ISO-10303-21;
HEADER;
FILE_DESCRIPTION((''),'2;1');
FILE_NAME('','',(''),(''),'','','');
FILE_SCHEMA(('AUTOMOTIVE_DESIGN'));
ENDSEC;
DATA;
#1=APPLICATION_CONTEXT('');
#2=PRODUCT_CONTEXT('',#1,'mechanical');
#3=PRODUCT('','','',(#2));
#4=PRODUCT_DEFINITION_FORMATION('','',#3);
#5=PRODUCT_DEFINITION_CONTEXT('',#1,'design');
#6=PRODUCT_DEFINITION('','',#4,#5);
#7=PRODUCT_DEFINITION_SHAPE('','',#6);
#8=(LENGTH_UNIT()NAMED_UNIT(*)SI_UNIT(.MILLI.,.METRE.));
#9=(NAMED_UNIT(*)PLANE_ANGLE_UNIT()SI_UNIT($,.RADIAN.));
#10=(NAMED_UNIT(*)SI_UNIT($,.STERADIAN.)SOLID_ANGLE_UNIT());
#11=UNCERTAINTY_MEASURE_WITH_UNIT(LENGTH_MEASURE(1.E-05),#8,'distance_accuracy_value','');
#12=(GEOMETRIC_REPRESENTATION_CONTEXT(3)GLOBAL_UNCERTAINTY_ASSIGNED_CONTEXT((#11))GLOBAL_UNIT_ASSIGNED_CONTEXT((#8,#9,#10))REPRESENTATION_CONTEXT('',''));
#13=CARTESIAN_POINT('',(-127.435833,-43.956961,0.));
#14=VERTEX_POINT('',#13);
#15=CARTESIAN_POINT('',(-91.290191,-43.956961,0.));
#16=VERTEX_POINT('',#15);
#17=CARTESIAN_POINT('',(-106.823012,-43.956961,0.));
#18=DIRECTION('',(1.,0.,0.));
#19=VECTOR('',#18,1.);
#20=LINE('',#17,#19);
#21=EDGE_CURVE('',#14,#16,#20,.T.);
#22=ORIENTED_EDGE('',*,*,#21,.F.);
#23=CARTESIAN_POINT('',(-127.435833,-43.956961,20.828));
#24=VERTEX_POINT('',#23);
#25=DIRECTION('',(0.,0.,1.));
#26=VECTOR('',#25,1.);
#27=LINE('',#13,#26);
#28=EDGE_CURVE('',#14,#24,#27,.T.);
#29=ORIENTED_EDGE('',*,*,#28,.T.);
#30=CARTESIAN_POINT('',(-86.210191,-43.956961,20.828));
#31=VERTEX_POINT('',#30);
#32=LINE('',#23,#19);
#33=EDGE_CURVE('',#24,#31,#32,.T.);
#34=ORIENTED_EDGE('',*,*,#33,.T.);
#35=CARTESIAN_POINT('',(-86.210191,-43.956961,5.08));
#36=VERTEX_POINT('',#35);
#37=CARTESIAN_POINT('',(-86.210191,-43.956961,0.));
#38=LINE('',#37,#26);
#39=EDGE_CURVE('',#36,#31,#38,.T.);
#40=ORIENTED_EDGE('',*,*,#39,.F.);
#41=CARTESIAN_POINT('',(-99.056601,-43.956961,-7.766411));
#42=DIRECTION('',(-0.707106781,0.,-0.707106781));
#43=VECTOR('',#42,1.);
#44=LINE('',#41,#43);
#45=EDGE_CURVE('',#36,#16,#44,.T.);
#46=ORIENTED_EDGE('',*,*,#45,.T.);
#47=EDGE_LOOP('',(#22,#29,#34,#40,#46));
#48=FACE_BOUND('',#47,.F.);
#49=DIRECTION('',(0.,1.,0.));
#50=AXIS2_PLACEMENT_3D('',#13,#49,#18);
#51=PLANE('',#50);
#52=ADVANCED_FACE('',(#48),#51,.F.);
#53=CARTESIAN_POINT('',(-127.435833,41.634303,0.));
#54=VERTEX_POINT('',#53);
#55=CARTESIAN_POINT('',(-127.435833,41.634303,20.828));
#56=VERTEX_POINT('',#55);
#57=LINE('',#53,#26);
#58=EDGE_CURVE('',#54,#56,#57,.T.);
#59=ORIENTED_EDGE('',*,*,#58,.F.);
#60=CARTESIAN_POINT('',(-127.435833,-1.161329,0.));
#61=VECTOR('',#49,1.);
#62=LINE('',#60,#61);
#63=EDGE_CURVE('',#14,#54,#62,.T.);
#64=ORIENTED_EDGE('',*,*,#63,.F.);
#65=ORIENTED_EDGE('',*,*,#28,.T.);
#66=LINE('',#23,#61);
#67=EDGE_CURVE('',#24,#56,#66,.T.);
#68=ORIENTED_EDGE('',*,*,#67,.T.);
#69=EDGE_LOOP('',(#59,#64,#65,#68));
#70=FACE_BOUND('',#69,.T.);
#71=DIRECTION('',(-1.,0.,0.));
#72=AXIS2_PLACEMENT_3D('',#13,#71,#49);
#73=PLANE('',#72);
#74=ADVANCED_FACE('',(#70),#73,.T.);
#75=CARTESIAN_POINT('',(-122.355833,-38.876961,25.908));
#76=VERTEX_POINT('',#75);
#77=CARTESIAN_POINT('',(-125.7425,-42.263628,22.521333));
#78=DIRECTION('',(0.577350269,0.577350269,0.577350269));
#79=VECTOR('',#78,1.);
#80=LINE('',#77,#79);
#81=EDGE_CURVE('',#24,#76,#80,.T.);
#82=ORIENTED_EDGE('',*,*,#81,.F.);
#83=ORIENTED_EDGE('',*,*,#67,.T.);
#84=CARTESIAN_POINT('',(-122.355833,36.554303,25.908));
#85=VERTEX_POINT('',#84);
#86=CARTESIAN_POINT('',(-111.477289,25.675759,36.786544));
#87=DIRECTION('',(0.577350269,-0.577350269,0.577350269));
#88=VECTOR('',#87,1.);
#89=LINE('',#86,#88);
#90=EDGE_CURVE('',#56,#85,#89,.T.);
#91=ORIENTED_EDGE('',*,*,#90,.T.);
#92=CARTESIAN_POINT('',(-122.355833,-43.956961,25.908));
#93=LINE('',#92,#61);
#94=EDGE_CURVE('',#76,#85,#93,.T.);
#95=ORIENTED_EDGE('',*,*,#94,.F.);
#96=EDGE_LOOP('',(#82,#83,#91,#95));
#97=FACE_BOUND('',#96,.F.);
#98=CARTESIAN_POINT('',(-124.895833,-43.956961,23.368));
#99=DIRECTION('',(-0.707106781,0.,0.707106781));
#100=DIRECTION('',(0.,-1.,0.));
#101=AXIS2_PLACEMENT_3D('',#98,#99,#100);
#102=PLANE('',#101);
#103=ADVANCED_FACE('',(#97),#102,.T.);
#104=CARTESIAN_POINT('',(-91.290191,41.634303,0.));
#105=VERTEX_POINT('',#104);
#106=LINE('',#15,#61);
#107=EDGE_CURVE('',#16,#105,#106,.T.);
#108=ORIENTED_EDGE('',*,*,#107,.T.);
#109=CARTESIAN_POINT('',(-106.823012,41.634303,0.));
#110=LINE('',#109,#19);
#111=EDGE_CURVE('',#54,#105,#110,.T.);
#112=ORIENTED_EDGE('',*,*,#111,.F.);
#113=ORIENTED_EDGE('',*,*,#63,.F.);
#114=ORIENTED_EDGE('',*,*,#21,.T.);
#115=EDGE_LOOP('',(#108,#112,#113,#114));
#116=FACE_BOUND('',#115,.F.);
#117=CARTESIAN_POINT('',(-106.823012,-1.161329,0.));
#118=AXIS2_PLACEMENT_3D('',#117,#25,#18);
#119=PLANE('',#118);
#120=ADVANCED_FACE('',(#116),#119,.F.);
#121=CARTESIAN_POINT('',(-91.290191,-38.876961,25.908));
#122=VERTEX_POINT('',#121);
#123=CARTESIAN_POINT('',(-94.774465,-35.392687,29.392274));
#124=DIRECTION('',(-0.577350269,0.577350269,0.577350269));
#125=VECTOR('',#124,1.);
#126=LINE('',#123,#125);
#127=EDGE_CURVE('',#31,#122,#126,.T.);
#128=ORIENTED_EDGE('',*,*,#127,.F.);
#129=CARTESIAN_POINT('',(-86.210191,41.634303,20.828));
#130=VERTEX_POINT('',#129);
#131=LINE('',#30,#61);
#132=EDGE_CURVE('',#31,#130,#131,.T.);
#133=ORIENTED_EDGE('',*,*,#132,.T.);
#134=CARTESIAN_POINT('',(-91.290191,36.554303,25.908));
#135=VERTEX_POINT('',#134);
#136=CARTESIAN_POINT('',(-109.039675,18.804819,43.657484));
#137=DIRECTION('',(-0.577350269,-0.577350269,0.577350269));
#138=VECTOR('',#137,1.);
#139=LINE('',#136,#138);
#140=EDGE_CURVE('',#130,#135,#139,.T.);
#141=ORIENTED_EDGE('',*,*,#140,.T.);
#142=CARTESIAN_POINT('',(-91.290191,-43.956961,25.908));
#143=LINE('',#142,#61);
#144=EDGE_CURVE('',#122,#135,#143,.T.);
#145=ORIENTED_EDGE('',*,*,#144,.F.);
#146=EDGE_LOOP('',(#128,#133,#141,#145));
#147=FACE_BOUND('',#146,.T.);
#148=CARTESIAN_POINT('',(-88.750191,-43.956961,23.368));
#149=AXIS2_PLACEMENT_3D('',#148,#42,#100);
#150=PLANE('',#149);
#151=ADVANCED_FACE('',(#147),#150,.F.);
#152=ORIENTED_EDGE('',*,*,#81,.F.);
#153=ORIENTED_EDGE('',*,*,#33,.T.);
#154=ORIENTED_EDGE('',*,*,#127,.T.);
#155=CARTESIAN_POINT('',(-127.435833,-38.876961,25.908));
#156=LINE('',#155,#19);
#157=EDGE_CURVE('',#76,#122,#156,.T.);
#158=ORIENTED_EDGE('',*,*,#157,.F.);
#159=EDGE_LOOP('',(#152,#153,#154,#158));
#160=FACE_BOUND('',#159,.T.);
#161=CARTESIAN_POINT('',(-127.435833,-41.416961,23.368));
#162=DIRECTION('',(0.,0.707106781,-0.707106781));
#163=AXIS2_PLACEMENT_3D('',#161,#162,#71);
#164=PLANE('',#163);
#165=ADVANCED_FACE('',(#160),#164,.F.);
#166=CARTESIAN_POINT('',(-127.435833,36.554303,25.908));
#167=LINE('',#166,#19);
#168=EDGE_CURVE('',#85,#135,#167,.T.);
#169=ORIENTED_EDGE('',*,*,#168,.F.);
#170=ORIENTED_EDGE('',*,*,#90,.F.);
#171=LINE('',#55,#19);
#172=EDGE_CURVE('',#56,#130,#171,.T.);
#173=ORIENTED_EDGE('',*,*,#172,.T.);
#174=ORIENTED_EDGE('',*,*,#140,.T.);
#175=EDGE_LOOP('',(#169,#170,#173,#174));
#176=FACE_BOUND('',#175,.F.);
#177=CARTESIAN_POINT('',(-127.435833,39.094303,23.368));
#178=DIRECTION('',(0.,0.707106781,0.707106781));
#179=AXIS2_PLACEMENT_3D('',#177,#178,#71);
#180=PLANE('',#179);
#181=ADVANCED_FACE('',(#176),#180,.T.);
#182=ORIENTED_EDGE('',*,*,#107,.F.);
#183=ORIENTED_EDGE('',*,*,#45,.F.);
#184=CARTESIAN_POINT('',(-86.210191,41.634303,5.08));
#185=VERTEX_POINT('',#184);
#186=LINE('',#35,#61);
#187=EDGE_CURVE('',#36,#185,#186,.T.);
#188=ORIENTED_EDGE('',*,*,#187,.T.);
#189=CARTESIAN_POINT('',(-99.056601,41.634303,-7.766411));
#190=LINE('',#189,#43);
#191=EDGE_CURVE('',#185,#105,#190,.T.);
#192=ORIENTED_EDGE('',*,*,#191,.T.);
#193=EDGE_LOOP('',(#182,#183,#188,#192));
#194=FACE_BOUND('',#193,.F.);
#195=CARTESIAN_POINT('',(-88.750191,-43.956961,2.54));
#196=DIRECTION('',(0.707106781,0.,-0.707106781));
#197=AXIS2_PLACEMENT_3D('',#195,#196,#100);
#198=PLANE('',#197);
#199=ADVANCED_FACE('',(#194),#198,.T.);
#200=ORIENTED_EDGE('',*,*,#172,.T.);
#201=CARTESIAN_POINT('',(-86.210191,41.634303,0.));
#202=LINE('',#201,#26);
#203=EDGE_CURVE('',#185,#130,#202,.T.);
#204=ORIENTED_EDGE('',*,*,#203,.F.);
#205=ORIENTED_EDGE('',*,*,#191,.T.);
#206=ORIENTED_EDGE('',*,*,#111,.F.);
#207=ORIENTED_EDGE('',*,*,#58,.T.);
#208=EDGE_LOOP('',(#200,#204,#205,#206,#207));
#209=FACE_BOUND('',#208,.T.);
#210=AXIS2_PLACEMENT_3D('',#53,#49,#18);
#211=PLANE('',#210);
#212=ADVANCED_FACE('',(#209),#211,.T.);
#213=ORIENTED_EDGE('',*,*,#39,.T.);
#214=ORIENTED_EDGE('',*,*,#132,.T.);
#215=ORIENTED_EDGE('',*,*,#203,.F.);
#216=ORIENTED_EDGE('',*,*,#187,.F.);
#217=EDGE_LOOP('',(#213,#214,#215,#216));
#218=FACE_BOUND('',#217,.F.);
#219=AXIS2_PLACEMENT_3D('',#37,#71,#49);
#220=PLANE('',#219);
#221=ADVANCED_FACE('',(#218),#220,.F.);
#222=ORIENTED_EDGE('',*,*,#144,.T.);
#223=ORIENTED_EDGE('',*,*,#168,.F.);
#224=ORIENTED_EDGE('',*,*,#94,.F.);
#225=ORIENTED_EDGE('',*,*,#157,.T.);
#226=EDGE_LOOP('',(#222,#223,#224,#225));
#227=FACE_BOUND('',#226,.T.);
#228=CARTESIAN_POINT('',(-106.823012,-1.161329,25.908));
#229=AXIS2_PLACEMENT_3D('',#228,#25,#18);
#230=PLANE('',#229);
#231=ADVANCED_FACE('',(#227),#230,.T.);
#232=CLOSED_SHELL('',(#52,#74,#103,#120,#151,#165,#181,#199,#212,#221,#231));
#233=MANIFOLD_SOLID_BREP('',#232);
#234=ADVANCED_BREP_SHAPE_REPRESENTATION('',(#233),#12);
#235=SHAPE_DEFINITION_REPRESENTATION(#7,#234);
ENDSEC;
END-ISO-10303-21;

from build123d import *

# Parameters (mm, degrees)
F0_W     = 41.225642
F0_H     = 85.591264
F1_DEPTH = 25.908
F2_SIZE  = 5.08


with BuildPart() as f1:
    # F0 (on Top) → F1 (new body)
    with BuildSketch(Plane.XY):
        with Locations((-106.823012, -1.161329)):
            Rectangle(F0_W, F0_H)
    extrude(amount=F1_DEPTH)

    # F2
    f2_edges = [f1.edges().sort_by_distance(p)[0] for p in [
        (-127.435833, -1.161329, 25.908),
        (-106.823012, -43.956961, 25.908),
        (-86.210191, -1.161329, 25.908),
        (-106.823012, 41.634303, 25.908),
        (-86.210191, -1.161329, 0),
    ]]
    chamfer(f2_edges, length=F2_SIZE)


solid = f1.part
